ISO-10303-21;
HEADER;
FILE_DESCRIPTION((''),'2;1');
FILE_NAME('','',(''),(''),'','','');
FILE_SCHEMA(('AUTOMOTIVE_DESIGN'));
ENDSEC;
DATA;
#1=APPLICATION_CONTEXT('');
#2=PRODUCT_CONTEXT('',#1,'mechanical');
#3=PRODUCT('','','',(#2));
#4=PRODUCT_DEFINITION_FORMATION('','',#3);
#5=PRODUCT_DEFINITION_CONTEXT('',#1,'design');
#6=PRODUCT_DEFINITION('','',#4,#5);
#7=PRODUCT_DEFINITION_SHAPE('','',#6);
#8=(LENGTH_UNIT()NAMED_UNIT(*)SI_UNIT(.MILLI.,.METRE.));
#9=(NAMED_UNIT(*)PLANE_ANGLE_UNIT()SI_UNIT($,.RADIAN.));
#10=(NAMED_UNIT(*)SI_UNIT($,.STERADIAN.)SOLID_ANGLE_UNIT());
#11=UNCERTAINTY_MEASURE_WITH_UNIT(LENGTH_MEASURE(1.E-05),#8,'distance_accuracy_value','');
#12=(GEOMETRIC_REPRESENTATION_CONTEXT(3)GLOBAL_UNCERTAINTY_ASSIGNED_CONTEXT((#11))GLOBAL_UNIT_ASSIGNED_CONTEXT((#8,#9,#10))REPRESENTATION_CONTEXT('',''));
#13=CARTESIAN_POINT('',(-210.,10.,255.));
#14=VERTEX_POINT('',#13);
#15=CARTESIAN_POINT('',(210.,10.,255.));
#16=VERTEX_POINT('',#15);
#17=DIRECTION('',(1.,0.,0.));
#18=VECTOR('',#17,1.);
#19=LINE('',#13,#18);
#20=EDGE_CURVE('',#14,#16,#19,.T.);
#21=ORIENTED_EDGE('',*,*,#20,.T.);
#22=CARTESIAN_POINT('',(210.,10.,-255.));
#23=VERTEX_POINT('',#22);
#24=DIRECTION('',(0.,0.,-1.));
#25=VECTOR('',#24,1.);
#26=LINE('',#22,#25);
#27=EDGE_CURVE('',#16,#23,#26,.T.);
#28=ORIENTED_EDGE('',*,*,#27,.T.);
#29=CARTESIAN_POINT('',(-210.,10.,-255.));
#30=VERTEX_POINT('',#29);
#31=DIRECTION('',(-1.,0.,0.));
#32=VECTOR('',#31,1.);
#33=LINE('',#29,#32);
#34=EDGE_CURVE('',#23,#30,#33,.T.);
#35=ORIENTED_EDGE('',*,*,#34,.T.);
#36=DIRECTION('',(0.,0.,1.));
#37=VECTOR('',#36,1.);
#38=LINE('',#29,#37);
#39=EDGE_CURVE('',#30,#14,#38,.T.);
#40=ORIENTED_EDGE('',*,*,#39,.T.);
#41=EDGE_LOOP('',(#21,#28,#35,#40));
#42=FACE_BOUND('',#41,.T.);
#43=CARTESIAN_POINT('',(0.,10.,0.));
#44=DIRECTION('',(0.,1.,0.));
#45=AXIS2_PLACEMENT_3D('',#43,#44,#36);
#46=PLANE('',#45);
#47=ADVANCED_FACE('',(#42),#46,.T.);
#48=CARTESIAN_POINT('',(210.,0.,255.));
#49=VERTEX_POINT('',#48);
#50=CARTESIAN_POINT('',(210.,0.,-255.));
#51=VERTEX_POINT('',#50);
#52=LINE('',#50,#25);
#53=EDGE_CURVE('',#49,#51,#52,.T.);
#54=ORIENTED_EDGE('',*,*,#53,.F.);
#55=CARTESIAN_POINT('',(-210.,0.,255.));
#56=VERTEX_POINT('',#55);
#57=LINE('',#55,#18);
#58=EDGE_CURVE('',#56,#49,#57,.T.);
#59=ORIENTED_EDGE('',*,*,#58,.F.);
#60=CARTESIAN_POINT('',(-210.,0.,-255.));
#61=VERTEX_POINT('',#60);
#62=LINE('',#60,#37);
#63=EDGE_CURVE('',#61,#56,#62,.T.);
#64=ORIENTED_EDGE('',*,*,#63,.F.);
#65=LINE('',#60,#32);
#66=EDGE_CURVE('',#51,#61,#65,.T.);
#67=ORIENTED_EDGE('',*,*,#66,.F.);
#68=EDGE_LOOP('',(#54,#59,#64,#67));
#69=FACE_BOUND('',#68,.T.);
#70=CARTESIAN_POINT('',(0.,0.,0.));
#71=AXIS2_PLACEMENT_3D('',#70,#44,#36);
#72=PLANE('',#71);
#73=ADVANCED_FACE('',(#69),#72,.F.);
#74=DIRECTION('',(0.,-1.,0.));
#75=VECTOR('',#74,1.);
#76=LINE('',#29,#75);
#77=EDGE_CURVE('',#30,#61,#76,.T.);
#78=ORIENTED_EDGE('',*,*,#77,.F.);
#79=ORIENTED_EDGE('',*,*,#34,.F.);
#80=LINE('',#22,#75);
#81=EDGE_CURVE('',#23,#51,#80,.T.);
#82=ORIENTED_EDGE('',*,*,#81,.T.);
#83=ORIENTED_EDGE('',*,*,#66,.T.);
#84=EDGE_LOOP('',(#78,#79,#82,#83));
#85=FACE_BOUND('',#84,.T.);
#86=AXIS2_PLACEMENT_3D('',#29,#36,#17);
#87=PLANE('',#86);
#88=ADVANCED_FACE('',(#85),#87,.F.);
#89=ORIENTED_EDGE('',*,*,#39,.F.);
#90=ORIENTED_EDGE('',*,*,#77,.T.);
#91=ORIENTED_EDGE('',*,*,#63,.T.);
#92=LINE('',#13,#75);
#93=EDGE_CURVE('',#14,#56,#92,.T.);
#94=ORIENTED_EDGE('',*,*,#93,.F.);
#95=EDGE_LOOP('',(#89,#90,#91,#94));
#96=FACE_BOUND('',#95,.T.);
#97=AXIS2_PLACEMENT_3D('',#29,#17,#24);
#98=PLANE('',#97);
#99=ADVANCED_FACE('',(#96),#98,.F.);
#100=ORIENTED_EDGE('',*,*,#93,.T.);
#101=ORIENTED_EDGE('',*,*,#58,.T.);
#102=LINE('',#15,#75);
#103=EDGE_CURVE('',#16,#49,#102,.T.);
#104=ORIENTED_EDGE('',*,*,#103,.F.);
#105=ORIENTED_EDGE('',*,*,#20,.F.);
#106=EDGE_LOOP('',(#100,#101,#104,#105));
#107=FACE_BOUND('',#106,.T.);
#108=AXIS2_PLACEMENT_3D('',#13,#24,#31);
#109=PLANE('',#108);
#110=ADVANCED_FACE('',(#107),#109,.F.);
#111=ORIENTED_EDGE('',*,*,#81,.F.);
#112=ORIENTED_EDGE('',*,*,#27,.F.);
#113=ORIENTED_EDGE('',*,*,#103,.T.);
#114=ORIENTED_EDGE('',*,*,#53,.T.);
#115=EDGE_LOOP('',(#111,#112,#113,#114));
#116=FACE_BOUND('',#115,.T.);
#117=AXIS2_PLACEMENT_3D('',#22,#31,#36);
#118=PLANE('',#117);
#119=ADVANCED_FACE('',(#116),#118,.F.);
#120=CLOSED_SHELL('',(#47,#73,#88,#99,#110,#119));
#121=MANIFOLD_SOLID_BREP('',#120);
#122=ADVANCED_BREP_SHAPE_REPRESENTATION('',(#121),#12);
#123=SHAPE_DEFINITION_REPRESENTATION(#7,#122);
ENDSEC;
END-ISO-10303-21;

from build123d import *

# Parameters (mm, degrees)
ESQUISSE1_W        = 420
ESQUISSE1_H        = 510
BOSS_EXTRU_1_DEPTH = 10


with BuildPart() as part:
    # Esquisse1 → Boss.-Extru.1 (new body)
    with BuildSketch(Plane(origin=(0, 0, 0), x_dir=(1, 0, 0), z_dir=(0, 1, 0))):
        Rectangle(ESQUISSE1_W, ESQUISSE1_H)
    extrude(amount=BOSS_EXTRU_1_DEPTH)


solid = part.part
